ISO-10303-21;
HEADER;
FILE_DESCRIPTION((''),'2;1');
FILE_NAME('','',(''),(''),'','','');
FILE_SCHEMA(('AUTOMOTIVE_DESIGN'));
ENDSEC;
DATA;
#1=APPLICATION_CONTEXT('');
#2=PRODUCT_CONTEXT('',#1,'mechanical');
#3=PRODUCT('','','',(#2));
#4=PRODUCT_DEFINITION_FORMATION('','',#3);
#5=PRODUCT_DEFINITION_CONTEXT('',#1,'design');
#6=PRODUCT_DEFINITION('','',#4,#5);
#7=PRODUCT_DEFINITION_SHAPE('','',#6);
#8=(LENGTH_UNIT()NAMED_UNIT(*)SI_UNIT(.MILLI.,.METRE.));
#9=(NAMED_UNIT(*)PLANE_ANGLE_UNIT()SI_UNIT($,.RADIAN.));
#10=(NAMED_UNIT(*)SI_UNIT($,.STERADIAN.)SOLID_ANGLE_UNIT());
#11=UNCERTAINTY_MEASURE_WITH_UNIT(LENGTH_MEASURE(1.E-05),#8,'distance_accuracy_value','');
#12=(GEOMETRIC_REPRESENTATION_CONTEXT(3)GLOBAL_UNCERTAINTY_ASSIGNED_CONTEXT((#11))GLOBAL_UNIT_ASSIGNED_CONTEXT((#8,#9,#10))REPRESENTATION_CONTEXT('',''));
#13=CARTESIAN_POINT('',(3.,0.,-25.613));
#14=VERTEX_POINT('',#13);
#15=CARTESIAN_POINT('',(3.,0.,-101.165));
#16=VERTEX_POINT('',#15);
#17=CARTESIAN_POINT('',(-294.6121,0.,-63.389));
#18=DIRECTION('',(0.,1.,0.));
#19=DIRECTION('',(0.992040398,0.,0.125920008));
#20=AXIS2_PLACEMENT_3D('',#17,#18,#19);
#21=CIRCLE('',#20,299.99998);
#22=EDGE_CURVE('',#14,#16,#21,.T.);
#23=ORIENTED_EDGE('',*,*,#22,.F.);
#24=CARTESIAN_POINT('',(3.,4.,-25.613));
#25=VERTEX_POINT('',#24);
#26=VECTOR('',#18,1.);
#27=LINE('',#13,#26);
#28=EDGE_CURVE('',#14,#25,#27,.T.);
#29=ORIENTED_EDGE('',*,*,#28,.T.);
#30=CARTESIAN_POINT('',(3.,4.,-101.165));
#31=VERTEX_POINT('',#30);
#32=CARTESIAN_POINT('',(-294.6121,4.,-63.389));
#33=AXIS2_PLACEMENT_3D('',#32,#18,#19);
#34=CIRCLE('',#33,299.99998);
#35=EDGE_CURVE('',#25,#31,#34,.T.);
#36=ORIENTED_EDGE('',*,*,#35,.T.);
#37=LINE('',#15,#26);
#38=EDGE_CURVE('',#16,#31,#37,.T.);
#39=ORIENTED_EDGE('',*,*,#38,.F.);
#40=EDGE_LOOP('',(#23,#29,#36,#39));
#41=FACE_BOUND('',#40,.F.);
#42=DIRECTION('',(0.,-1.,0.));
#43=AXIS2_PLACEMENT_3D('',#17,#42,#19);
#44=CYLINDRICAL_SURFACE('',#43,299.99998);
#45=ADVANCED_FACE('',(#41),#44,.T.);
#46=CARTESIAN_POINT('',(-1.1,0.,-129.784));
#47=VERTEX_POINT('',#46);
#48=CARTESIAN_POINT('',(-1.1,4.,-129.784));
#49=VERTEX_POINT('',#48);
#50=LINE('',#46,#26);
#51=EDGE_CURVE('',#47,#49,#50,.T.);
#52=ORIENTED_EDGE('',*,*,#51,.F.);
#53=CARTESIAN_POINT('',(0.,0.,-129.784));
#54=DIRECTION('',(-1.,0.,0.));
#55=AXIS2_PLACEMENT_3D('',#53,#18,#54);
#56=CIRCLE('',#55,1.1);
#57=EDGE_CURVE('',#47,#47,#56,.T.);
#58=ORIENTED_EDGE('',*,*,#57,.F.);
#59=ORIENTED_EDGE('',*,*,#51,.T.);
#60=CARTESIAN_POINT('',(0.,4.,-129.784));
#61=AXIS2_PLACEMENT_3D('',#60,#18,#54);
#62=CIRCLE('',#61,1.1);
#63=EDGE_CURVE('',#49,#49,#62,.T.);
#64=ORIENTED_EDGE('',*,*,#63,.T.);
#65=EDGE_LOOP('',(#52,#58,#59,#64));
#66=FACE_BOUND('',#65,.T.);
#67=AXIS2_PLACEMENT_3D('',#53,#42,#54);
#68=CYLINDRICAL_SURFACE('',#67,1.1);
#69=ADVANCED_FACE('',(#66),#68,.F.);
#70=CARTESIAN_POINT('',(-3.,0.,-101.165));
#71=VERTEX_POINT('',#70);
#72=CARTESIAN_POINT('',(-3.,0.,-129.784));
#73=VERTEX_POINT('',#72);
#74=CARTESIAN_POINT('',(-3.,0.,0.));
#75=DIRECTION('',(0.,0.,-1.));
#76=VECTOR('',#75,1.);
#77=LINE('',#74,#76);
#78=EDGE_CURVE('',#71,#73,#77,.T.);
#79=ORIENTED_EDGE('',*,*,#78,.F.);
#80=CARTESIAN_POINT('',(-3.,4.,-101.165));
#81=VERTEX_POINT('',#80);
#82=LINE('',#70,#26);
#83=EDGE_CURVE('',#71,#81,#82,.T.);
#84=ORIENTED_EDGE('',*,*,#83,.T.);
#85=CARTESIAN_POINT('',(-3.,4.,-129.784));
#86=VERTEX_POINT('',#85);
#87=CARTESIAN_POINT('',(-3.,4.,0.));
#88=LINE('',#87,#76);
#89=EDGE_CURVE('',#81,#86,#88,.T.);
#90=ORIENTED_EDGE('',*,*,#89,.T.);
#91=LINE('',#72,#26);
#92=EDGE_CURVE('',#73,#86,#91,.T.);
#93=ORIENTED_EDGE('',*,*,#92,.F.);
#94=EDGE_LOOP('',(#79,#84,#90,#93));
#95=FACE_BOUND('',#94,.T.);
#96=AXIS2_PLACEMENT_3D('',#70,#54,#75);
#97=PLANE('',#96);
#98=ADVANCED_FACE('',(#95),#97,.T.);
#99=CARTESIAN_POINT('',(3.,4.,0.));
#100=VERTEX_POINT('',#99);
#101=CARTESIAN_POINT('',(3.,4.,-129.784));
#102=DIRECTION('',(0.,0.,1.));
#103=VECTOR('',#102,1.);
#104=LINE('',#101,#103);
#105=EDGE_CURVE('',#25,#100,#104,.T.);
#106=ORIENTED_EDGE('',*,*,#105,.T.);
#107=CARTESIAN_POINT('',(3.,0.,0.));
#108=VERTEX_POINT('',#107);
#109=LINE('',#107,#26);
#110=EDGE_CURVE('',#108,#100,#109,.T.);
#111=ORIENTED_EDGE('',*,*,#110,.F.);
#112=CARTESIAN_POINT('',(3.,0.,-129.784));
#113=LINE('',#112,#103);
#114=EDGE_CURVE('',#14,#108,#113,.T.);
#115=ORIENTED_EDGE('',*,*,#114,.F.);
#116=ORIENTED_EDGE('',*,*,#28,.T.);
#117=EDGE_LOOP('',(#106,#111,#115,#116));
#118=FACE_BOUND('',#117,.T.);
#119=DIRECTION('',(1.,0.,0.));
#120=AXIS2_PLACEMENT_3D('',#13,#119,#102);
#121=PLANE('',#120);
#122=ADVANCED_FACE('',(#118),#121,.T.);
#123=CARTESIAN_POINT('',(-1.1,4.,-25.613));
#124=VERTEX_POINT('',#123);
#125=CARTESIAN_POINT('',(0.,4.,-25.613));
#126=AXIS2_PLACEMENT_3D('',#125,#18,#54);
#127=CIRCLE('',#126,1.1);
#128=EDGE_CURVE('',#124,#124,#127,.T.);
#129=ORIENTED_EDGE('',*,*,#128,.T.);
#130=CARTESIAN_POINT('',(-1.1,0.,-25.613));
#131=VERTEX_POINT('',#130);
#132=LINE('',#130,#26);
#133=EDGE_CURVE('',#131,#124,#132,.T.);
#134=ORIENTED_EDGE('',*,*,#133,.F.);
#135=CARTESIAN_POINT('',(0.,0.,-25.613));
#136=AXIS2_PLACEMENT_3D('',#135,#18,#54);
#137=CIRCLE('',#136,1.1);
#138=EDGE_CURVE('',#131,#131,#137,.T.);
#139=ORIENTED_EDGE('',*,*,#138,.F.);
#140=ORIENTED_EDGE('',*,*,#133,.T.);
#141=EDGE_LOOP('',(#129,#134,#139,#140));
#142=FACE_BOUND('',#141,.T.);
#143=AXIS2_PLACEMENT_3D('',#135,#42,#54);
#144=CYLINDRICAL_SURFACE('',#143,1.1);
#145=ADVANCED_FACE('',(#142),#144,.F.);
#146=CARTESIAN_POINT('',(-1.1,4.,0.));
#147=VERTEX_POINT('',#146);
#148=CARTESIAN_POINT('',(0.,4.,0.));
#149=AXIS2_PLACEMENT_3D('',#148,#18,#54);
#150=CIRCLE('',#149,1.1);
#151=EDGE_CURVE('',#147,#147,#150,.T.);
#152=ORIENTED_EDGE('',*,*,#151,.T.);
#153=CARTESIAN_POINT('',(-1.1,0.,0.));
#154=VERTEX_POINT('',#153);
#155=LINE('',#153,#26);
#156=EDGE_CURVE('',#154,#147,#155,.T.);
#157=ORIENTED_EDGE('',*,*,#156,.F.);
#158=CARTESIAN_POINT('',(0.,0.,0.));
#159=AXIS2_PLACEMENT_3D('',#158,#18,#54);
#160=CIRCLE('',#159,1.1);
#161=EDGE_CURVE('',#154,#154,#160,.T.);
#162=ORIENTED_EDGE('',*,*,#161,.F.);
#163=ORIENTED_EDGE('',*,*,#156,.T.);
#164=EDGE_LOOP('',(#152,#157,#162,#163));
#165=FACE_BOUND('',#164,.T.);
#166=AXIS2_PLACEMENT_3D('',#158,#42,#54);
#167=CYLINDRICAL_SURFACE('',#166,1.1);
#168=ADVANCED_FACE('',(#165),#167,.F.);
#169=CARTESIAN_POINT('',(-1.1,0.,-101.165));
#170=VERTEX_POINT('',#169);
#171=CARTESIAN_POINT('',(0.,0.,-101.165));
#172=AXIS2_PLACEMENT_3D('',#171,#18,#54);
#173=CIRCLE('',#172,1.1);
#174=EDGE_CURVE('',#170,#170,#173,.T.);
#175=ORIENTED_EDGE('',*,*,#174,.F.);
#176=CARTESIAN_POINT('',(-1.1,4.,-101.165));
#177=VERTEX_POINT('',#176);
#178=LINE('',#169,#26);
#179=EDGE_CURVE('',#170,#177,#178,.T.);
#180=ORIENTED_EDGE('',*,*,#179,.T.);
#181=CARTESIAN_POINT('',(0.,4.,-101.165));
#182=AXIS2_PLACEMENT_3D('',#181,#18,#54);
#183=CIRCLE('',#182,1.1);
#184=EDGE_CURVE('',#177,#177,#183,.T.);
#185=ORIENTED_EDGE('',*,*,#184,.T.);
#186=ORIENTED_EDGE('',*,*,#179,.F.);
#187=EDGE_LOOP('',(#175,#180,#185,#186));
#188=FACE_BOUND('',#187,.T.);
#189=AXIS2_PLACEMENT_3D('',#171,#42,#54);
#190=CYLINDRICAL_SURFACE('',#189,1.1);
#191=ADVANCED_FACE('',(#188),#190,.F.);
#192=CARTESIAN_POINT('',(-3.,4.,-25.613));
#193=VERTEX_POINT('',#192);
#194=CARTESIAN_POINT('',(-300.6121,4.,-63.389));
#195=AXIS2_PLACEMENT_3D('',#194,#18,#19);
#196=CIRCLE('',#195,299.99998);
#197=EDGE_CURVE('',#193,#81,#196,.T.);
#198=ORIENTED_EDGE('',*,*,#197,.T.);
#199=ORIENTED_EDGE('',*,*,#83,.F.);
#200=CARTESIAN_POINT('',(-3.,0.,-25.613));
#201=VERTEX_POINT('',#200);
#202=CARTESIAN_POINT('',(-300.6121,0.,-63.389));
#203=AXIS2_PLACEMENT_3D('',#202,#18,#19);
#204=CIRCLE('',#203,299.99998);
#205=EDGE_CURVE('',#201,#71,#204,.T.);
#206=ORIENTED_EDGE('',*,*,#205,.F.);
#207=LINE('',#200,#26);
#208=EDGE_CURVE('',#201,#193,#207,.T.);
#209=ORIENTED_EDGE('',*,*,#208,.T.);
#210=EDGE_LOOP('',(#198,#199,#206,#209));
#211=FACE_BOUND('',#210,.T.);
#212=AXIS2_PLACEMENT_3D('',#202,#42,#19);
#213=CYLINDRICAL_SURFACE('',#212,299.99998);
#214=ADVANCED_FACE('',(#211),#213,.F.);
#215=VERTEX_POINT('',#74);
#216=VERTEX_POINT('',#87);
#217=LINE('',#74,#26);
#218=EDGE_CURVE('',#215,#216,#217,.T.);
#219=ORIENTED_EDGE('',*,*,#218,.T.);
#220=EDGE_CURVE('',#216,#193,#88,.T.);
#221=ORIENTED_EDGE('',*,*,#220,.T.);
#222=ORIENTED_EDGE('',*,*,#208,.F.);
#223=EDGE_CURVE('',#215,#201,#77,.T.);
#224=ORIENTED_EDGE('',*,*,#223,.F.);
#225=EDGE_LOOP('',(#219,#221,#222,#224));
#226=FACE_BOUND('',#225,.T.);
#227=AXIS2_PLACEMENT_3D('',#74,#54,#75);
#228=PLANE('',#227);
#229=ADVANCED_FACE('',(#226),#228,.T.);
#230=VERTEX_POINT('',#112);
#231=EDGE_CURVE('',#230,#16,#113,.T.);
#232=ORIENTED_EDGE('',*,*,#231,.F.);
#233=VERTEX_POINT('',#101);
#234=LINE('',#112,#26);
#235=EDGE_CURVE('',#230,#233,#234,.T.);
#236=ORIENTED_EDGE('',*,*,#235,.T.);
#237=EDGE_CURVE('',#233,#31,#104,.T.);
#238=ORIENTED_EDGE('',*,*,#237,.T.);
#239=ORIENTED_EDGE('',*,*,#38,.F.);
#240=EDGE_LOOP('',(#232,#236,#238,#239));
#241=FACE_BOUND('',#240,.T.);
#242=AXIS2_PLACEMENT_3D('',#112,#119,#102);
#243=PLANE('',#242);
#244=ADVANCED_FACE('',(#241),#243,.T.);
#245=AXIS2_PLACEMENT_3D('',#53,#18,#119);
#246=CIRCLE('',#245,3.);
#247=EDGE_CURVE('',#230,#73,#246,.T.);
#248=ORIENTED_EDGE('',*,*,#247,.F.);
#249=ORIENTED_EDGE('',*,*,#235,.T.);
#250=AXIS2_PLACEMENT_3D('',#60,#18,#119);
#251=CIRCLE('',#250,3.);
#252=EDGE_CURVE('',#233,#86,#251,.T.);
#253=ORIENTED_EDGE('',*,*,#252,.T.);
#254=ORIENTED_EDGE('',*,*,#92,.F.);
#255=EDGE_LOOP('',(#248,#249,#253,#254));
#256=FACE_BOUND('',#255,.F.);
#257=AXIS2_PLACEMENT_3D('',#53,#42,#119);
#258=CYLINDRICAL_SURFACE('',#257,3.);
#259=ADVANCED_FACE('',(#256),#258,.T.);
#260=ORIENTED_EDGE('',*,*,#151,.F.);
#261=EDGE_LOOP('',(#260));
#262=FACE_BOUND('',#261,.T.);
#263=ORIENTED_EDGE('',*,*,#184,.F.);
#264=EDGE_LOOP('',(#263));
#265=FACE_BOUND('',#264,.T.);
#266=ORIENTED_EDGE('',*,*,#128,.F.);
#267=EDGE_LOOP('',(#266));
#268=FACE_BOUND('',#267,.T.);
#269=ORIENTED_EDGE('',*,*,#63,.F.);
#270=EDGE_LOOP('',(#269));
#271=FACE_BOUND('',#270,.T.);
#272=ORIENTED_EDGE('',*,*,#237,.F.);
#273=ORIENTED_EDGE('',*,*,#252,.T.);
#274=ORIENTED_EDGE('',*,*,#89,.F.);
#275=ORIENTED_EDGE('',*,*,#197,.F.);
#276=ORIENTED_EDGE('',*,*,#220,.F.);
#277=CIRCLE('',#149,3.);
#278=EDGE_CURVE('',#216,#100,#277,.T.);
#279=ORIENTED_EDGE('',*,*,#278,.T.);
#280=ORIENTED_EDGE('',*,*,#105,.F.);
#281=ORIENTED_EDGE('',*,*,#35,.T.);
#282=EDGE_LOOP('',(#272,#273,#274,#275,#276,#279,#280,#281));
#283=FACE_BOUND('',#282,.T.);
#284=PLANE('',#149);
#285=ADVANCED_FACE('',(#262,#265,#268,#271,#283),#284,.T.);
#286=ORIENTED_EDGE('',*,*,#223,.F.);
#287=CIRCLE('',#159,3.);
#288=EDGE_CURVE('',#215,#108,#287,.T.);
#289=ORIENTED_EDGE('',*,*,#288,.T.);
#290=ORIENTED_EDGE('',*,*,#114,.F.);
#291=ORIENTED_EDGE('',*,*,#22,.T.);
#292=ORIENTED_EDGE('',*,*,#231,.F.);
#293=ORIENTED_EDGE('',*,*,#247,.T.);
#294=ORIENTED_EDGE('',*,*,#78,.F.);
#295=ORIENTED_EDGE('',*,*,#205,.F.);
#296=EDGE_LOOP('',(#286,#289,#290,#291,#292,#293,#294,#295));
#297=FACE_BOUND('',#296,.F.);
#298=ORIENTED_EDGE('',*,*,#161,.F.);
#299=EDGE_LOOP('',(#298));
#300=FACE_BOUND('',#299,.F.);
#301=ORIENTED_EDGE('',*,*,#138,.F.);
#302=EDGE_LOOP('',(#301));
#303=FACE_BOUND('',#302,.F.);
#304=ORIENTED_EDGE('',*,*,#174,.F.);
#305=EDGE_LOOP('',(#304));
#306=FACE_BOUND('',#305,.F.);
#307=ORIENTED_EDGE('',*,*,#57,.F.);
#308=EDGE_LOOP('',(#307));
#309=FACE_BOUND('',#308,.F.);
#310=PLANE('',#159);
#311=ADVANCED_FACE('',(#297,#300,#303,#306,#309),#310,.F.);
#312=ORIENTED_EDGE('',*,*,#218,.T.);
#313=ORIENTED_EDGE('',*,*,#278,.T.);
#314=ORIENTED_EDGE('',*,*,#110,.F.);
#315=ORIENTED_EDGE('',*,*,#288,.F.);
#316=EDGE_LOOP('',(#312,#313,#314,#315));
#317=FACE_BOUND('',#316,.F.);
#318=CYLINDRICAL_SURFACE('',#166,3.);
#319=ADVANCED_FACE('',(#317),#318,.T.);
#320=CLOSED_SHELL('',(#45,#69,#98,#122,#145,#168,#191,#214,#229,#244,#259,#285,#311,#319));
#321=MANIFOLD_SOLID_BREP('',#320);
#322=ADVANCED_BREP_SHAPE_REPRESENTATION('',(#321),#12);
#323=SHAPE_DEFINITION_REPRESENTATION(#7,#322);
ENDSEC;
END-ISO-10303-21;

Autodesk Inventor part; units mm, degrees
ref_plane "YZ Plane" through (0, 0, 0) normal (1, 0, 0) x (0, 1, 0)
ref_plane "XZ Plane" through (0, 0, 0) normal (0, 1, 0) x (-1, 0, 0)
ref_plane "XY Plane" through (0, 0, 0) normal (0, 0, 1) x (1, 0, 0)
sketch "Sketch1" plane through (0, 0, 0) normal (0, 1, 0) x (-1, 0, 0)
  line L0 (0, 0) -> (0, -129.784) construction
  line L1 (3, 0) -> (3, -129.784)
  line L2 (-3, -129.784) -> (-3, 0)
  arc A0 (3, 0) -> (-3, 0) centre (0, 0) ccw
  arc A1 (-3, -129.784) -> (3, -129.784) centre (0, -129.784) ccw
  circle A2 centre (0, 0) radius 1.1
  circle A3 centre (0, -129.784) radius 1.1
  circle A4 centre (0, -25.613) radius 1.1
  circle A5 centre (0, -101.165) radius 1.1
  arc A6 (3, -25.613) -> (3, -101.165) centre (300.6121, -63.389) ccw
  arc A7 (-3, -25.613) -> (-3, -101.165) centre (294.6121, -63.389) ccw
  point P0 (0, -64.892)
  dimension "d0" = 2.2
  dimension "d1" = 2.2
  dimension "d2" = 6
  dimension "d3" = 129.784
  dimension "d4" = 2.2
  dimension "d5" = 25.613
  dimension "d8" = 2.2
  dimension "d9" = 101.165
  dimension "d10" = 300
  dimension "d11" = 300
extrude "Extrusion1" add sketch "Sketch1" along normal blind 4 contours L1 A6 A1 L2 A0 | L2 A7
